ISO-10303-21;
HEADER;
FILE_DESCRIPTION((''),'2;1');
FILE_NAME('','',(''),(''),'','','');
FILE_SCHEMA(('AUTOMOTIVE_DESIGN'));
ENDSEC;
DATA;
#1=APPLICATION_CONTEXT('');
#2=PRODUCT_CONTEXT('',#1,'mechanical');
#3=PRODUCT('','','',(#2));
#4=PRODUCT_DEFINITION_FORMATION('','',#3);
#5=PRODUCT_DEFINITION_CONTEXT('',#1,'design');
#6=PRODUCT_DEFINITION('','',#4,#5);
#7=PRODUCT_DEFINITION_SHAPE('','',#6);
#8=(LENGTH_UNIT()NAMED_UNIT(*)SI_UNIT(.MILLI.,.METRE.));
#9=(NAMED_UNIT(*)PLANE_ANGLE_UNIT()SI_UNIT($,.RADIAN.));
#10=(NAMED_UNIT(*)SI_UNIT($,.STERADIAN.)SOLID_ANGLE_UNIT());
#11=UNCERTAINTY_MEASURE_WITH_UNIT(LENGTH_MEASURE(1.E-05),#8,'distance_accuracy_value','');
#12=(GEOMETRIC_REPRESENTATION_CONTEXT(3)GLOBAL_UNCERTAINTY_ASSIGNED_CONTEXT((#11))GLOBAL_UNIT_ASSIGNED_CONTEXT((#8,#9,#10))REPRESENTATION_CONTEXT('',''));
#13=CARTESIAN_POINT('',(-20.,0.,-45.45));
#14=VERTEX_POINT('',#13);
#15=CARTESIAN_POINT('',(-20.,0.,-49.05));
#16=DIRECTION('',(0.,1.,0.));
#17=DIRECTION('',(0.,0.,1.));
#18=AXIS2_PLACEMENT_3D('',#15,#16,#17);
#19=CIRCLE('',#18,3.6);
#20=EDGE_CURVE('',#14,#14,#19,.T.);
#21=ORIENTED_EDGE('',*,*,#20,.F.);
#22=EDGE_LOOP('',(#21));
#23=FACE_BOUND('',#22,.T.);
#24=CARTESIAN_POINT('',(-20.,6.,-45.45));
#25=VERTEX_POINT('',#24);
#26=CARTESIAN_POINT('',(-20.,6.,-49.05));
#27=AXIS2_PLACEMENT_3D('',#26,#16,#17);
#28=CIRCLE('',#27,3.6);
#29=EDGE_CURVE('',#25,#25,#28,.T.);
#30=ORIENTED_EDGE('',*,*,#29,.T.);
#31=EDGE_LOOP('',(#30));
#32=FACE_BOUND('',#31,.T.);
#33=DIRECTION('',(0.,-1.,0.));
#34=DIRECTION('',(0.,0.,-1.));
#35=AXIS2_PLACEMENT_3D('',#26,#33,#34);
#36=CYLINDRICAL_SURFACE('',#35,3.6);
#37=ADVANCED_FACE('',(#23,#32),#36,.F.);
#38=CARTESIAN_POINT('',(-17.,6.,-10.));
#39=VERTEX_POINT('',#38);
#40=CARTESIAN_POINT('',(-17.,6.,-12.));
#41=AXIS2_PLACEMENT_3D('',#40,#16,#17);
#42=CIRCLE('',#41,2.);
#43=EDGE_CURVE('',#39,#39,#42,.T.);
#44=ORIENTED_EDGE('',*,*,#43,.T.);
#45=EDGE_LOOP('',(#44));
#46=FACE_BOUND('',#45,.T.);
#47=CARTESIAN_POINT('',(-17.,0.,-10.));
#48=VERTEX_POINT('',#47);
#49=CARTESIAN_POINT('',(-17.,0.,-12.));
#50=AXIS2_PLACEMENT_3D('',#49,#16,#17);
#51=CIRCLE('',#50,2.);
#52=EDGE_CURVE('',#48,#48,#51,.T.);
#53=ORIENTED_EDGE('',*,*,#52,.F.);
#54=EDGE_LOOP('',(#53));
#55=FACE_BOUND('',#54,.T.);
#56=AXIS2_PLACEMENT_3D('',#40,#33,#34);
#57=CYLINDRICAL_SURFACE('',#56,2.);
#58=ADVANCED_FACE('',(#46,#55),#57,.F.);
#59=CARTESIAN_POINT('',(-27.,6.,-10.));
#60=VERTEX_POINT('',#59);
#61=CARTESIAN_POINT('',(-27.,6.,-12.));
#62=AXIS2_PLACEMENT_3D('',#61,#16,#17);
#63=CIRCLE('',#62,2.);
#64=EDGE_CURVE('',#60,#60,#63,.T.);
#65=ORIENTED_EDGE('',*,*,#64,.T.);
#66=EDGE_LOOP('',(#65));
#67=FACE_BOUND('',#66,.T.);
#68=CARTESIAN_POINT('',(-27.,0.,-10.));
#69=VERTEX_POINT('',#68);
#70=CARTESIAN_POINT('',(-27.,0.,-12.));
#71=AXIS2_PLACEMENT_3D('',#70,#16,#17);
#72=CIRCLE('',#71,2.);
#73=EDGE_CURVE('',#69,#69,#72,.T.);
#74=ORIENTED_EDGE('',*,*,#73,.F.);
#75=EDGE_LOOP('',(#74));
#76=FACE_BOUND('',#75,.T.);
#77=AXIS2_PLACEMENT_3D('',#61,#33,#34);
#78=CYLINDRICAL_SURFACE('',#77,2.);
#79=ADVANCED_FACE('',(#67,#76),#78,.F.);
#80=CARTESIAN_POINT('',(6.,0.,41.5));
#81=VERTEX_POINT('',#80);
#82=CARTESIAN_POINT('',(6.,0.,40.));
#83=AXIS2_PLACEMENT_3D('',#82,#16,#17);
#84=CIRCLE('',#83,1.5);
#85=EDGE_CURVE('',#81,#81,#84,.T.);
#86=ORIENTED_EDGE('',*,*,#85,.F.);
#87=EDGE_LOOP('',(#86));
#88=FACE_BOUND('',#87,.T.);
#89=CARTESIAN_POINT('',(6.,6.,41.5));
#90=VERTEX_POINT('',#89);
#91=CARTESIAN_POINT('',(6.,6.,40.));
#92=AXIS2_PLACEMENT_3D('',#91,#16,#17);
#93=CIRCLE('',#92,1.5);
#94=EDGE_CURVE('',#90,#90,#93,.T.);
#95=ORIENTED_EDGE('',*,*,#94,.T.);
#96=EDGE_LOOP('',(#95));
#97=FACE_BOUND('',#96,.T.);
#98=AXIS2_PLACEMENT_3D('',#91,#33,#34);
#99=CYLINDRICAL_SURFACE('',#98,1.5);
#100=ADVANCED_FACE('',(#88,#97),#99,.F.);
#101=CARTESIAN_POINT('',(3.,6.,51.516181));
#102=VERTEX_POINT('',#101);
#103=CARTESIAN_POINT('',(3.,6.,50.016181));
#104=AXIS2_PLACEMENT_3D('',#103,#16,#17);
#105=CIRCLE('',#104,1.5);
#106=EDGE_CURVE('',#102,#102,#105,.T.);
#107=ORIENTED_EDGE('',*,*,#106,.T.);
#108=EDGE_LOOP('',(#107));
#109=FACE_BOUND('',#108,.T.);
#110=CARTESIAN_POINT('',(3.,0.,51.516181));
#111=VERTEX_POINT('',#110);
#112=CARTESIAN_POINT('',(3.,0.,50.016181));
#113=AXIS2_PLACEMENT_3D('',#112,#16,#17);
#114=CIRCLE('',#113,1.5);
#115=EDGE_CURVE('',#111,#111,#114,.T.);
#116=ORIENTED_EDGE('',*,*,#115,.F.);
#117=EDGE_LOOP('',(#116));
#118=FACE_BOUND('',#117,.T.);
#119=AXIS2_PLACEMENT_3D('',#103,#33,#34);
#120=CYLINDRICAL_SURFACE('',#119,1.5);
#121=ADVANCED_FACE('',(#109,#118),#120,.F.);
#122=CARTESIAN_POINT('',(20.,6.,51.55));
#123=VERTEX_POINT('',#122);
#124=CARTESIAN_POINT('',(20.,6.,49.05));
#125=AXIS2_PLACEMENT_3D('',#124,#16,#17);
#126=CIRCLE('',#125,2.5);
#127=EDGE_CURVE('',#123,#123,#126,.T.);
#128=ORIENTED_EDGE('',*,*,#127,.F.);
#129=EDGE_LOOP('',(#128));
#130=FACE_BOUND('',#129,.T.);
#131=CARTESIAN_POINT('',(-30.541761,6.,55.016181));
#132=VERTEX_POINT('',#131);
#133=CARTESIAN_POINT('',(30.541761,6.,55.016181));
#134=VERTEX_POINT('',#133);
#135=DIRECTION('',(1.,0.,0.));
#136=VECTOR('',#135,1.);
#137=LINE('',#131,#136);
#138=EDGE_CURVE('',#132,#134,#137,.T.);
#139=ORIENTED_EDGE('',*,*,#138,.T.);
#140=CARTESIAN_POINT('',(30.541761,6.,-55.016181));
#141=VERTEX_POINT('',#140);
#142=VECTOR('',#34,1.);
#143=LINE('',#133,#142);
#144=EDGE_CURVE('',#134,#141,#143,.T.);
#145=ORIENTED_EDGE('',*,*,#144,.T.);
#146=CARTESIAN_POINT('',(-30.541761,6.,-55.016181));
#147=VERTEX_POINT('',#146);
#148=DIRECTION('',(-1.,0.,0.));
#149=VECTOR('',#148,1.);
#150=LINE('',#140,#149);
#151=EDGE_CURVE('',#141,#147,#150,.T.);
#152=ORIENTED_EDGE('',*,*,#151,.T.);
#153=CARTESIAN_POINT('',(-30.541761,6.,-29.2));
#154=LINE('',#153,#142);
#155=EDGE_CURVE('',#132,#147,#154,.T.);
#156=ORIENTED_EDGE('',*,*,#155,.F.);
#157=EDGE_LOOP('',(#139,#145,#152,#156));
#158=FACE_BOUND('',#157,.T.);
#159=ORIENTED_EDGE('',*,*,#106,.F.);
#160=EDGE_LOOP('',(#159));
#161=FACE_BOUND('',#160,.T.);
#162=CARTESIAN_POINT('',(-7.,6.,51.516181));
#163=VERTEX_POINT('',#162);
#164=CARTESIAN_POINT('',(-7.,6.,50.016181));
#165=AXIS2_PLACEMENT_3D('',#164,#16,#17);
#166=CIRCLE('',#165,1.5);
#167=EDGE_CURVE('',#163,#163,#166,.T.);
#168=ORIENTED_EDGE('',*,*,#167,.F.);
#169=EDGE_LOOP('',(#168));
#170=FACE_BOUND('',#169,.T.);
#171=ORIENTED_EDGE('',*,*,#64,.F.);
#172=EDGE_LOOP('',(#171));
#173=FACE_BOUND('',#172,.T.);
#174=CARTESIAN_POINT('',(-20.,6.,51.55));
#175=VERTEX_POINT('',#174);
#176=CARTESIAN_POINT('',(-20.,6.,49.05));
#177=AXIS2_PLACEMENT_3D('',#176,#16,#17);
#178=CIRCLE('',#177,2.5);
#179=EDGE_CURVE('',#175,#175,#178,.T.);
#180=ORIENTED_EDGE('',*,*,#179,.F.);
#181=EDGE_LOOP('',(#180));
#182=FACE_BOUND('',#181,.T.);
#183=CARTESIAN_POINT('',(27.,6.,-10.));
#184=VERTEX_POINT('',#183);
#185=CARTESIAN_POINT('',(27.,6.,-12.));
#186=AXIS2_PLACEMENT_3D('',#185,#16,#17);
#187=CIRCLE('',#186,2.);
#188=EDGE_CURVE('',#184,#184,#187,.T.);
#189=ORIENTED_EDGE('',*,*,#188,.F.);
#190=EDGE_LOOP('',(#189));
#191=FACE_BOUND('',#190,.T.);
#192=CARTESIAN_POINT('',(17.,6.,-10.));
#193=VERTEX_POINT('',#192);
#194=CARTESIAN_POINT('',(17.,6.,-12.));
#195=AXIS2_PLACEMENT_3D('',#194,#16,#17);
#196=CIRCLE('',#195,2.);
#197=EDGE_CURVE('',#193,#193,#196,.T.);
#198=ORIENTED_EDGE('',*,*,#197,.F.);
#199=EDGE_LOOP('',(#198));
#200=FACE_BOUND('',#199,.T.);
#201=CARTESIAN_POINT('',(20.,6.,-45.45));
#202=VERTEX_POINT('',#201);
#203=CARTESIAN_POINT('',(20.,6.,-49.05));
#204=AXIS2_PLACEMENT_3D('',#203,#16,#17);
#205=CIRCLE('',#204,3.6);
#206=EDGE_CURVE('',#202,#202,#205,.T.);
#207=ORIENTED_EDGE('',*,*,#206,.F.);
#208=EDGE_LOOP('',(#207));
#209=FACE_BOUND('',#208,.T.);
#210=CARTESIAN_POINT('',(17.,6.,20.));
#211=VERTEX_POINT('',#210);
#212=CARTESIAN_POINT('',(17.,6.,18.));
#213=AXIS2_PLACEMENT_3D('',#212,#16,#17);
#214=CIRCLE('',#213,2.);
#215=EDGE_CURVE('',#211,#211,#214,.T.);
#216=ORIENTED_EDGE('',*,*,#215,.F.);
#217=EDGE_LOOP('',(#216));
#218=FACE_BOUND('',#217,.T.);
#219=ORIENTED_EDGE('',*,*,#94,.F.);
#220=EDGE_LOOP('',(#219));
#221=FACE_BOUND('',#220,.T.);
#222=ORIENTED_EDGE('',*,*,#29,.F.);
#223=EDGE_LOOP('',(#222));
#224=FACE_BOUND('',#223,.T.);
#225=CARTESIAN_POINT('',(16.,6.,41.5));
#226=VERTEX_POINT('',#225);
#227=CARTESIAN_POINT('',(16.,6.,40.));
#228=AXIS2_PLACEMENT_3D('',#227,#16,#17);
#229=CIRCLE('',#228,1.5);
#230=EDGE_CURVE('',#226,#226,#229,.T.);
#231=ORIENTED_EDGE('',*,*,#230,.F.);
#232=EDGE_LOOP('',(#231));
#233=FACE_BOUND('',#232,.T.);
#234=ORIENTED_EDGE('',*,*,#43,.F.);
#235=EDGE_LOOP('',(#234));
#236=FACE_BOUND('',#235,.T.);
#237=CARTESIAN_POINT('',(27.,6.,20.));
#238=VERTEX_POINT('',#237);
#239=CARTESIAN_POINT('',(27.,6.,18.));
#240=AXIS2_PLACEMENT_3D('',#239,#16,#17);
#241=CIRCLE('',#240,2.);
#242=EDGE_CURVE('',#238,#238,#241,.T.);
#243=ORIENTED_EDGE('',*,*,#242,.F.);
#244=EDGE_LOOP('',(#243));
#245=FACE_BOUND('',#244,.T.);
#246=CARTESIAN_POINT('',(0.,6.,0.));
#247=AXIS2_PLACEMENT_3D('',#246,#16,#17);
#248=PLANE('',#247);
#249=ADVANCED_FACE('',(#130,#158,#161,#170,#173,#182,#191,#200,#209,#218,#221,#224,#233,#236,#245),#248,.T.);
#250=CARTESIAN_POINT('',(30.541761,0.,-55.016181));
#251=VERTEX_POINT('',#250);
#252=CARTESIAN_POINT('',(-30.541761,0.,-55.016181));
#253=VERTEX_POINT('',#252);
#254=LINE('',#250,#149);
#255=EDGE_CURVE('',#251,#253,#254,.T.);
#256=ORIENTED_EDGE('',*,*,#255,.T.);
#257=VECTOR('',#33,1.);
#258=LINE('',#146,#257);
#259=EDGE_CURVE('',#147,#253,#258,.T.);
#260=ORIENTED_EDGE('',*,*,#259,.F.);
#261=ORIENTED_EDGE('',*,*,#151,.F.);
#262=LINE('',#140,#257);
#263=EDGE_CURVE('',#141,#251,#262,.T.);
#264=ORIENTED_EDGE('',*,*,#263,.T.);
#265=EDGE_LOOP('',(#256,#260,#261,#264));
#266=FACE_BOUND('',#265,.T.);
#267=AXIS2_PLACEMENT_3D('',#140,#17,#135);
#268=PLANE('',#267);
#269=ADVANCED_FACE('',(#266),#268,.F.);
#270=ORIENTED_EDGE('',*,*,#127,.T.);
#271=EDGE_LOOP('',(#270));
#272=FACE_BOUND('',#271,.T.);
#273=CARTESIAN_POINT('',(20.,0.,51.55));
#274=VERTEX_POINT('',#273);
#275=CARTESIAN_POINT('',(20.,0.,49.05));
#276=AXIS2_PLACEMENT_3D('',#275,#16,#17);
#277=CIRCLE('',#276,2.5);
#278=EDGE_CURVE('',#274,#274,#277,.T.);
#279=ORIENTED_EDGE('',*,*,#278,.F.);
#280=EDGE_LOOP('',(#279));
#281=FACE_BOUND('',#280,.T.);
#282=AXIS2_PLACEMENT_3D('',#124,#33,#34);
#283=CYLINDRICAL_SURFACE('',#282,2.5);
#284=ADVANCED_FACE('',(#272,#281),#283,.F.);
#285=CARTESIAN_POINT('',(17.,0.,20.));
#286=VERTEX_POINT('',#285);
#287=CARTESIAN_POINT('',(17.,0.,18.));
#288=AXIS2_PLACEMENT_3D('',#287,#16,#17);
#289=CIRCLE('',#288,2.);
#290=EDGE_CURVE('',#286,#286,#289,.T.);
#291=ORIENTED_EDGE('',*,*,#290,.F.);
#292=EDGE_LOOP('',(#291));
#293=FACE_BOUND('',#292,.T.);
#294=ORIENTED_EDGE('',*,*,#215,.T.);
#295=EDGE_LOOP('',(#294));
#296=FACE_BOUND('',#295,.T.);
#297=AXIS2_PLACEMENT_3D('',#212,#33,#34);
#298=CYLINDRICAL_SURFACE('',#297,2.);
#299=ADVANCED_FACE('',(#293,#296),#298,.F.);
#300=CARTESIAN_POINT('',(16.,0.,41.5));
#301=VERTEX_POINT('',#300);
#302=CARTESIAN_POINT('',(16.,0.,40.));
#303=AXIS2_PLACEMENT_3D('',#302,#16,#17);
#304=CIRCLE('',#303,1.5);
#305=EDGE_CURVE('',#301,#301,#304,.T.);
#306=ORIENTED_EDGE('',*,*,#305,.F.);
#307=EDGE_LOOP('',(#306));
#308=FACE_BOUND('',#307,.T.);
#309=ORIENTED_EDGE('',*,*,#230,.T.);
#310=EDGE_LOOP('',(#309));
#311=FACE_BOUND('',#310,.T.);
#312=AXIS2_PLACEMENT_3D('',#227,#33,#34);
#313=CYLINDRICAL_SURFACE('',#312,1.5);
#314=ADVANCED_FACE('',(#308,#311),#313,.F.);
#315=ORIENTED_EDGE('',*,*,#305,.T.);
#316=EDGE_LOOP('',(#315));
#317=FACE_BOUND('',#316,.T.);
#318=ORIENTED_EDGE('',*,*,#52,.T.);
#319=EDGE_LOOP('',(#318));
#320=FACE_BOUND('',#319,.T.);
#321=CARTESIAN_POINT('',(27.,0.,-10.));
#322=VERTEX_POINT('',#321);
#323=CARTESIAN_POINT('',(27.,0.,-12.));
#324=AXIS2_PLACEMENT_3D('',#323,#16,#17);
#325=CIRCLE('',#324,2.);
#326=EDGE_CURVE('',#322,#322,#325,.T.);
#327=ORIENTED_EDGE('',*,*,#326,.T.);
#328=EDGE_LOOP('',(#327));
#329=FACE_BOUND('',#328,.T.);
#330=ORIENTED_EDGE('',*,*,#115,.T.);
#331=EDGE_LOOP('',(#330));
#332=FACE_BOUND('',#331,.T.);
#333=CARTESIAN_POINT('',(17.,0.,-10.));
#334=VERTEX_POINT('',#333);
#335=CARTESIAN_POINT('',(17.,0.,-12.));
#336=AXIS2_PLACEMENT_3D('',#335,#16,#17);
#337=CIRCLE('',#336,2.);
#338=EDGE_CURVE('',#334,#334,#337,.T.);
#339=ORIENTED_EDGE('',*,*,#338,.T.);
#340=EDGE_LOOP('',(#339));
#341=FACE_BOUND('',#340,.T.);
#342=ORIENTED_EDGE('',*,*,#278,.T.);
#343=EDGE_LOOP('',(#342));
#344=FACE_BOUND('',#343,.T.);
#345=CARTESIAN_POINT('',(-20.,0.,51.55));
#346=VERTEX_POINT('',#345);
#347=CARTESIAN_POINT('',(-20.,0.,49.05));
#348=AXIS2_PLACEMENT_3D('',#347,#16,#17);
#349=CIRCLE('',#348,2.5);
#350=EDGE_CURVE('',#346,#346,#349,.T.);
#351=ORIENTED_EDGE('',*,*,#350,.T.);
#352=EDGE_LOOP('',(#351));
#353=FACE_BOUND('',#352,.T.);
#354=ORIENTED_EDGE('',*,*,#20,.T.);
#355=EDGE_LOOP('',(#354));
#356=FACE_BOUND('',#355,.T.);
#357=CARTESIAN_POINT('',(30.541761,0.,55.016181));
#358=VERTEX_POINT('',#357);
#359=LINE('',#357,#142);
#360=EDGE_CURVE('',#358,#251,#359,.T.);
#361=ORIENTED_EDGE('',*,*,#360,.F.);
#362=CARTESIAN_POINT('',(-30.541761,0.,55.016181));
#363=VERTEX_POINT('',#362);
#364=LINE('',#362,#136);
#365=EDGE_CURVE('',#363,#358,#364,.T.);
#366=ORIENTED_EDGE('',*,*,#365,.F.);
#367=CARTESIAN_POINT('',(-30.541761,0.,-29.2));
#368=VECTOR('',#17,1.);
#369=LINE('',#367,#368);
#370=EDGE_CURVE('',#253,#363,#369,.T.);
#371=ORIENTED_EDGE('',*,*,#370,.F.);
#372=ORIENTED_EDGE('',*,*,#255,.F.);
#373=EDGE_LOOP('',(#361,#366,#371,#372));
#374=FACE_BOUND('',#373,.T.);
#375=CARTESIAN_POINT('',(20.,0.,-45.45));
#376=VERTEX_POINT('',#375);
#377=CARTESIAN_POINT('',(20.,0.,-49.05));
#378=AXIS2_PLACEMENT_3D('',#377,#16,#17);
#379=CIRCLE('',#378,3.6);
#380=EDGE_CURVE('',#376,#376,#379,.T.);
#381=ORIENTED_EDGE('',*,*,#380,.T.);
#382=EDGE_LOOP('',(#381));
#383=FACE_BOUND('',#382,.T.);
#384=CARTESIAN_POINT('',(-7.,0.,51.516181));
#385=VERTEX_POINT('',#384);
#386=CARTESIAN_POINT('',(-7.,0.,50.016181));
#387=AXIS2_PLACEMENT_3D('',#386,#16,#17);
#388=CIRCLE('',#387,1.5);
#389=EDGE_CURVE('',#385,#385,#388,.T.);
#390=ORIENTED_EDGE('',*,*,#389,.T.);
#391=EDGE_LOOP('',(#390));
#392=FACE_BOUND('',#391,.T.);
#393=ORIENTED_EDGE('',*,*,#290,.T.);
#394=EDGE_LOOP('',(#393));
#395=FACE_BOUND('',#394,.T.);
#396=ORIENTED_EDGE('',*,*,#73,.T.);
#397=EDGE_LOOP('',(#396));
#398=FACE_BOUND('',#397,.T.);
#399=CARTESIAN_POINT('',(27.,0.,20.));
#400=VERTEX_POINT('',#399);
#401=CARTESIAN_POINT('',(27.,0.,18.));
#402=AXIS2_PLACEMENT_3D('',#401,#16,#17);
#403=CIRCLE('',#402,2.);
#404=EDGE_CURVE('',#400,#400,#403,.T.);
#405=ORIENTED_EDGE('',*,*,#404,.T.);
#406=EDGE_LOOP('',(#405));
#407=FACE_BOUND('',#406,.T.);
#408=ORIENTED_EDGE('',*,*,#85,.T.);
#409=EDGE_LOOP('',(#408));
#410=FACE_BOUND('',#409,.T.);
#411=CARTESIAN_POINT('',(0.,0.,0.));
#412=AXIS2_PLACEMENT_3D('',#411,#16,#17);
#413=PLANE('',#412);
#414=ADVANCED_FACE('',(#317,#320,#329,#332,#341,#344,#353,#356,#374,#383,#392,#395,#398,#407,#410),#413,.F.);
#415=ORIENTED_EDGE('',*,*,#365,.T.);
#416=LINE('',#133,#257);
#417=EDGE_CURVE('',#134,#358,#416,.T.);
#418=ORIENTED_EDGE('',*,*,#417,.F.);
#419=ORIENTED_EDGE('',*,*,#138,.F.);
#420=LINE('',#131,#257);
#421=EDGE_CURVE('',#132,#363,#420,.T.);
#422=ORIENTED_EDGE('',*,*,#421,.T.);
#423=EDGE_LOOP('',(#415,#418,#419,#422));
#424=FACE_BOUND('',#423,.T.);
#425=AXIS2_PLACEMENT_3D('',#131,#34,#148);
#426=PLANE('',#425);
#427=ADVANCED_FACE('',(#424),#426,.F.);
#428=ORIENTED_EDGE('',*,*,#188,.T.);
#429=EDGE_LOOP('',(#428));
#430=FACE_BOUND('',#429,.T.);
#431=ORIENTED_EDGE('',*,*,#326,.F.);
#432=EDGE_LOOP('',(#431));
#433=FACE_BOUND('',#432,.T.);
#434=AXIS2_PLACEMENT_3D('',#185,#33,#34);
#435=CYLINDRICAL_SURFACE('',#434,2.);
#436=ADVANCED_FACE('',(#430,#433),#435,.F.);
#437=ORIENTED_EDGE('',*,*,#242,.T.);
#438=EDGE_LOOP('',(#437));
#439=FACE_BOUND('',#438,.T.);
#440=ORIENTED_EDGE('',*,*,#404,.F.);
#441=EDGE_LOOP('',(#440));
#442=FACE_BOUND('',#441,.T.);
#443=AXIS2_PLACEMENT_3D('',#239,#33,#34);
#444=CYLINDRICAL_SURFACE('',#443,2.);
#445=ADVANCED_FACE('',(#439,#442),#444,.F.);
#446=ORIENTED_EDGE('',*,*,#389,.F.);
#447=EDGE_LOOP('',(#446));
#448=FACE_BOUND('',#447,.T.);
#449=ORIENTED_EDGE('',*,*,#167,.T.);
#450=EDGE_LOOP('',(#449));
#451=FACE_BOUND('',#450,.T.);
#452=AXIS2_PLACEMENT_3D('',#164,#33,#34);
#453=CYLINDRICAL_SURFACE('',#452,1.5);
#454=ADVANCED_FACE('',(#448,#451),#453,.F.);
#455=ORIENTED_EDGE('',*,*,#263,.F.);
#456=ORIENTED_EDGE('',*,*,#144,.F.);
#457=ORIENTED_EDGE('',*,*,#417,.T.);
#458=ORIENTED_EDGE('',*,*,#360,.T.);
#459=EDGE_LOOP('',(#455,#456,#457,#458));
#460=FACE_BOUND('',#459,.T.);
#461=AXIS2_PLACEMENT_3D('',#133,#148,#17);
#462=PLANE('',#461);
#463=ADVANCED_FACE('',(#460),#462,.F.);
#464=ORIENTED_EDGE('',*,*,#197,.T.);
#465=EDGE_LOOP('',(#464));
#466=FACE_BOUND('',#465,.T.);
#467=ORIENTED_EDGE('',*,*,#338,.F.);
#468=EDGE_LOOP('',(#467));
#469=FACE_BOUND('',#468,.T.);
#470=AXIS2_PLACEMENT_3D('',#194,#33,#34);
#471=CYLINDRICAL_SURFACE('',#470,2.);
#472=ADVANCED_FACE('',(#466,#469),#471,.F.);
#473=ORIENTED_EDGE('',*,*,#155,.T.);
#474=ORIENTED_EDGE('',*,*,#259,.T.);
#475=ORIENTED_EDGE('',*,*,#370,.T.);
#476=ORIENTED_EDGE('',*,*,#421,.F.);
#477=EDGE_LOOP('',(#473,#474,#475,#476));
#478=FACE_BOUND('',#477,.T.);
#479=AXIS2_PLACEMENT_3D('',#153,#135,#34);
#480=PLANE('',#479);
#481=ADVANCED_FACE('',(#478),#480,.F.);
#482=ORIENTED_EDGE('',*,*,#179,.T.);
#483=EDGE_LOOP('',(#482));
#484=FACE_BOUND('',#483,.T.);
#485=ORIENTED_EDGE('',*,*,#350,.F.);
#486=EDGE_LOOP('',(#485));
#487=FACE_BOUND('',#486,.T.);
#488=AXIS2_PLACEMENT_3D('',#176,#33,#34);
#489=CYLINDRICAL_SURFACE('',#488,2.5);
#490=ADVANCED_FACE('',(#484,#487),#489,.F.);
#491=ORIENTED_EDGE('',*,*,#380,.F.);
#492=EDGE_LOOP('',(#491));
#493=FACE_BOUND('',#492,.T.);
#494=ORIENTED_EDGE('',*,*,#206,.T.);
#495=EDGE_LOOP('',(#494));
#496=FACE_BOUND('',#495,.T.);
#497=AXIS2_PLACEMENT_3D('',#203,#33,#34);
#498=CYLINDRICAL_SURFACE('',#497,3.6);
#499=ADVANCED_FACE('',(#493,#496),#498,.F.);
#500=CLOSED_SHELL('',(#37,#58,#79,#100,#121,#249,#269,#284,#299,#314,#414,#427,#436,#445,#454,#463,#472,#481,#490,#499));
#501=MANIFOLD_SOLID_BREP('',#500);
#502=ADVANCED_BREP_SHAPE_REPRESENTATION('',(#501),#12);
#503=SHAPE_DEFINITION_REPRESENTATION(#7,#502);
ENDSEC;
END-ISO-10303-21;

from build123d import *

# Parameters (mm, degrees)
BOSS_EXTRUDE1_DEPTH = 6
SKETCH1_3_R         = 3.6
SKETCH1_3_R_2       = 2.5
SKETCH1_3_R_3       = 2
SKETCH1_3_R_4       = 1.5
CUT_EXTRUDE1_DEPTH  = 6


with BuildPart() as part:
    # Sketch1 → Boss-Extrude1 (new body)
    with BuildSketch(Plane(origin=(0, 0, 0), x_dir=(1, 0, 0), z_dir=(0, 1, 0))):
        Polygon((-30.541760722, -55.01618123), (30.541760722, -55.01618123), (30.541760722, 55.01618123), (-30.541760722, 55.01618123), (-30.541760722, 29.2), align=None)
    extrude(amount=BOSS_EXTRUDE1_DEPTH)

    # Sketch1<3> → Cut-Extrude1 (cut)
    with BuildSketch(Plane(origin=(0, 0, 0), x_dir=(1, 0, 0), z_dir=(0, 1, 0))):
        with Locations((-20, 49.05)):
            Circle(SKETCH1_3_R)
        with Locations((20, 49.05)):
            Circle(SKETCH1_3_R)
        with Locations((-20, -49.05)):
            Circle(SKETCH1_3_R_2)
        with Locations((20, -49.05)):
            Circle(SKETCH1_3_R_2)
        with Locations((17, 12)):
            Circle(SKETCH1_3_R_3)
        with Locations((27, 12)):
            Circle(SKETCH1_3_R_3)
        with Locations((27, -18)):
            Circle(SKETCH1_3_R_3)
        with Locations((17, -18)):
            Circle(SKETCH1_3_R_3)
        with Locations((-7, -50.01618123)):
            Circle(SKETCH1_3_R_4)
        with Locations((3, -50.01618123)):
            Circle(SKETCH1_3_R_4)
        with Locations((-27, 12)):
            Circle(SKETCH1_3_R_3)
        with Locations((-17, 12)):
            Circle(SKETCH1_3_R_3)
        with Locations((6, -40)):
            Circle(SKETCH1_3_R_4)
        with Locations((16, -40)):
            Circle(SKETCH1_3_R_4)
    extrude(amount=CUT_EXTRUDE1_DEPTH, mode=Mode.SUBTRACT)


solid = part.part
